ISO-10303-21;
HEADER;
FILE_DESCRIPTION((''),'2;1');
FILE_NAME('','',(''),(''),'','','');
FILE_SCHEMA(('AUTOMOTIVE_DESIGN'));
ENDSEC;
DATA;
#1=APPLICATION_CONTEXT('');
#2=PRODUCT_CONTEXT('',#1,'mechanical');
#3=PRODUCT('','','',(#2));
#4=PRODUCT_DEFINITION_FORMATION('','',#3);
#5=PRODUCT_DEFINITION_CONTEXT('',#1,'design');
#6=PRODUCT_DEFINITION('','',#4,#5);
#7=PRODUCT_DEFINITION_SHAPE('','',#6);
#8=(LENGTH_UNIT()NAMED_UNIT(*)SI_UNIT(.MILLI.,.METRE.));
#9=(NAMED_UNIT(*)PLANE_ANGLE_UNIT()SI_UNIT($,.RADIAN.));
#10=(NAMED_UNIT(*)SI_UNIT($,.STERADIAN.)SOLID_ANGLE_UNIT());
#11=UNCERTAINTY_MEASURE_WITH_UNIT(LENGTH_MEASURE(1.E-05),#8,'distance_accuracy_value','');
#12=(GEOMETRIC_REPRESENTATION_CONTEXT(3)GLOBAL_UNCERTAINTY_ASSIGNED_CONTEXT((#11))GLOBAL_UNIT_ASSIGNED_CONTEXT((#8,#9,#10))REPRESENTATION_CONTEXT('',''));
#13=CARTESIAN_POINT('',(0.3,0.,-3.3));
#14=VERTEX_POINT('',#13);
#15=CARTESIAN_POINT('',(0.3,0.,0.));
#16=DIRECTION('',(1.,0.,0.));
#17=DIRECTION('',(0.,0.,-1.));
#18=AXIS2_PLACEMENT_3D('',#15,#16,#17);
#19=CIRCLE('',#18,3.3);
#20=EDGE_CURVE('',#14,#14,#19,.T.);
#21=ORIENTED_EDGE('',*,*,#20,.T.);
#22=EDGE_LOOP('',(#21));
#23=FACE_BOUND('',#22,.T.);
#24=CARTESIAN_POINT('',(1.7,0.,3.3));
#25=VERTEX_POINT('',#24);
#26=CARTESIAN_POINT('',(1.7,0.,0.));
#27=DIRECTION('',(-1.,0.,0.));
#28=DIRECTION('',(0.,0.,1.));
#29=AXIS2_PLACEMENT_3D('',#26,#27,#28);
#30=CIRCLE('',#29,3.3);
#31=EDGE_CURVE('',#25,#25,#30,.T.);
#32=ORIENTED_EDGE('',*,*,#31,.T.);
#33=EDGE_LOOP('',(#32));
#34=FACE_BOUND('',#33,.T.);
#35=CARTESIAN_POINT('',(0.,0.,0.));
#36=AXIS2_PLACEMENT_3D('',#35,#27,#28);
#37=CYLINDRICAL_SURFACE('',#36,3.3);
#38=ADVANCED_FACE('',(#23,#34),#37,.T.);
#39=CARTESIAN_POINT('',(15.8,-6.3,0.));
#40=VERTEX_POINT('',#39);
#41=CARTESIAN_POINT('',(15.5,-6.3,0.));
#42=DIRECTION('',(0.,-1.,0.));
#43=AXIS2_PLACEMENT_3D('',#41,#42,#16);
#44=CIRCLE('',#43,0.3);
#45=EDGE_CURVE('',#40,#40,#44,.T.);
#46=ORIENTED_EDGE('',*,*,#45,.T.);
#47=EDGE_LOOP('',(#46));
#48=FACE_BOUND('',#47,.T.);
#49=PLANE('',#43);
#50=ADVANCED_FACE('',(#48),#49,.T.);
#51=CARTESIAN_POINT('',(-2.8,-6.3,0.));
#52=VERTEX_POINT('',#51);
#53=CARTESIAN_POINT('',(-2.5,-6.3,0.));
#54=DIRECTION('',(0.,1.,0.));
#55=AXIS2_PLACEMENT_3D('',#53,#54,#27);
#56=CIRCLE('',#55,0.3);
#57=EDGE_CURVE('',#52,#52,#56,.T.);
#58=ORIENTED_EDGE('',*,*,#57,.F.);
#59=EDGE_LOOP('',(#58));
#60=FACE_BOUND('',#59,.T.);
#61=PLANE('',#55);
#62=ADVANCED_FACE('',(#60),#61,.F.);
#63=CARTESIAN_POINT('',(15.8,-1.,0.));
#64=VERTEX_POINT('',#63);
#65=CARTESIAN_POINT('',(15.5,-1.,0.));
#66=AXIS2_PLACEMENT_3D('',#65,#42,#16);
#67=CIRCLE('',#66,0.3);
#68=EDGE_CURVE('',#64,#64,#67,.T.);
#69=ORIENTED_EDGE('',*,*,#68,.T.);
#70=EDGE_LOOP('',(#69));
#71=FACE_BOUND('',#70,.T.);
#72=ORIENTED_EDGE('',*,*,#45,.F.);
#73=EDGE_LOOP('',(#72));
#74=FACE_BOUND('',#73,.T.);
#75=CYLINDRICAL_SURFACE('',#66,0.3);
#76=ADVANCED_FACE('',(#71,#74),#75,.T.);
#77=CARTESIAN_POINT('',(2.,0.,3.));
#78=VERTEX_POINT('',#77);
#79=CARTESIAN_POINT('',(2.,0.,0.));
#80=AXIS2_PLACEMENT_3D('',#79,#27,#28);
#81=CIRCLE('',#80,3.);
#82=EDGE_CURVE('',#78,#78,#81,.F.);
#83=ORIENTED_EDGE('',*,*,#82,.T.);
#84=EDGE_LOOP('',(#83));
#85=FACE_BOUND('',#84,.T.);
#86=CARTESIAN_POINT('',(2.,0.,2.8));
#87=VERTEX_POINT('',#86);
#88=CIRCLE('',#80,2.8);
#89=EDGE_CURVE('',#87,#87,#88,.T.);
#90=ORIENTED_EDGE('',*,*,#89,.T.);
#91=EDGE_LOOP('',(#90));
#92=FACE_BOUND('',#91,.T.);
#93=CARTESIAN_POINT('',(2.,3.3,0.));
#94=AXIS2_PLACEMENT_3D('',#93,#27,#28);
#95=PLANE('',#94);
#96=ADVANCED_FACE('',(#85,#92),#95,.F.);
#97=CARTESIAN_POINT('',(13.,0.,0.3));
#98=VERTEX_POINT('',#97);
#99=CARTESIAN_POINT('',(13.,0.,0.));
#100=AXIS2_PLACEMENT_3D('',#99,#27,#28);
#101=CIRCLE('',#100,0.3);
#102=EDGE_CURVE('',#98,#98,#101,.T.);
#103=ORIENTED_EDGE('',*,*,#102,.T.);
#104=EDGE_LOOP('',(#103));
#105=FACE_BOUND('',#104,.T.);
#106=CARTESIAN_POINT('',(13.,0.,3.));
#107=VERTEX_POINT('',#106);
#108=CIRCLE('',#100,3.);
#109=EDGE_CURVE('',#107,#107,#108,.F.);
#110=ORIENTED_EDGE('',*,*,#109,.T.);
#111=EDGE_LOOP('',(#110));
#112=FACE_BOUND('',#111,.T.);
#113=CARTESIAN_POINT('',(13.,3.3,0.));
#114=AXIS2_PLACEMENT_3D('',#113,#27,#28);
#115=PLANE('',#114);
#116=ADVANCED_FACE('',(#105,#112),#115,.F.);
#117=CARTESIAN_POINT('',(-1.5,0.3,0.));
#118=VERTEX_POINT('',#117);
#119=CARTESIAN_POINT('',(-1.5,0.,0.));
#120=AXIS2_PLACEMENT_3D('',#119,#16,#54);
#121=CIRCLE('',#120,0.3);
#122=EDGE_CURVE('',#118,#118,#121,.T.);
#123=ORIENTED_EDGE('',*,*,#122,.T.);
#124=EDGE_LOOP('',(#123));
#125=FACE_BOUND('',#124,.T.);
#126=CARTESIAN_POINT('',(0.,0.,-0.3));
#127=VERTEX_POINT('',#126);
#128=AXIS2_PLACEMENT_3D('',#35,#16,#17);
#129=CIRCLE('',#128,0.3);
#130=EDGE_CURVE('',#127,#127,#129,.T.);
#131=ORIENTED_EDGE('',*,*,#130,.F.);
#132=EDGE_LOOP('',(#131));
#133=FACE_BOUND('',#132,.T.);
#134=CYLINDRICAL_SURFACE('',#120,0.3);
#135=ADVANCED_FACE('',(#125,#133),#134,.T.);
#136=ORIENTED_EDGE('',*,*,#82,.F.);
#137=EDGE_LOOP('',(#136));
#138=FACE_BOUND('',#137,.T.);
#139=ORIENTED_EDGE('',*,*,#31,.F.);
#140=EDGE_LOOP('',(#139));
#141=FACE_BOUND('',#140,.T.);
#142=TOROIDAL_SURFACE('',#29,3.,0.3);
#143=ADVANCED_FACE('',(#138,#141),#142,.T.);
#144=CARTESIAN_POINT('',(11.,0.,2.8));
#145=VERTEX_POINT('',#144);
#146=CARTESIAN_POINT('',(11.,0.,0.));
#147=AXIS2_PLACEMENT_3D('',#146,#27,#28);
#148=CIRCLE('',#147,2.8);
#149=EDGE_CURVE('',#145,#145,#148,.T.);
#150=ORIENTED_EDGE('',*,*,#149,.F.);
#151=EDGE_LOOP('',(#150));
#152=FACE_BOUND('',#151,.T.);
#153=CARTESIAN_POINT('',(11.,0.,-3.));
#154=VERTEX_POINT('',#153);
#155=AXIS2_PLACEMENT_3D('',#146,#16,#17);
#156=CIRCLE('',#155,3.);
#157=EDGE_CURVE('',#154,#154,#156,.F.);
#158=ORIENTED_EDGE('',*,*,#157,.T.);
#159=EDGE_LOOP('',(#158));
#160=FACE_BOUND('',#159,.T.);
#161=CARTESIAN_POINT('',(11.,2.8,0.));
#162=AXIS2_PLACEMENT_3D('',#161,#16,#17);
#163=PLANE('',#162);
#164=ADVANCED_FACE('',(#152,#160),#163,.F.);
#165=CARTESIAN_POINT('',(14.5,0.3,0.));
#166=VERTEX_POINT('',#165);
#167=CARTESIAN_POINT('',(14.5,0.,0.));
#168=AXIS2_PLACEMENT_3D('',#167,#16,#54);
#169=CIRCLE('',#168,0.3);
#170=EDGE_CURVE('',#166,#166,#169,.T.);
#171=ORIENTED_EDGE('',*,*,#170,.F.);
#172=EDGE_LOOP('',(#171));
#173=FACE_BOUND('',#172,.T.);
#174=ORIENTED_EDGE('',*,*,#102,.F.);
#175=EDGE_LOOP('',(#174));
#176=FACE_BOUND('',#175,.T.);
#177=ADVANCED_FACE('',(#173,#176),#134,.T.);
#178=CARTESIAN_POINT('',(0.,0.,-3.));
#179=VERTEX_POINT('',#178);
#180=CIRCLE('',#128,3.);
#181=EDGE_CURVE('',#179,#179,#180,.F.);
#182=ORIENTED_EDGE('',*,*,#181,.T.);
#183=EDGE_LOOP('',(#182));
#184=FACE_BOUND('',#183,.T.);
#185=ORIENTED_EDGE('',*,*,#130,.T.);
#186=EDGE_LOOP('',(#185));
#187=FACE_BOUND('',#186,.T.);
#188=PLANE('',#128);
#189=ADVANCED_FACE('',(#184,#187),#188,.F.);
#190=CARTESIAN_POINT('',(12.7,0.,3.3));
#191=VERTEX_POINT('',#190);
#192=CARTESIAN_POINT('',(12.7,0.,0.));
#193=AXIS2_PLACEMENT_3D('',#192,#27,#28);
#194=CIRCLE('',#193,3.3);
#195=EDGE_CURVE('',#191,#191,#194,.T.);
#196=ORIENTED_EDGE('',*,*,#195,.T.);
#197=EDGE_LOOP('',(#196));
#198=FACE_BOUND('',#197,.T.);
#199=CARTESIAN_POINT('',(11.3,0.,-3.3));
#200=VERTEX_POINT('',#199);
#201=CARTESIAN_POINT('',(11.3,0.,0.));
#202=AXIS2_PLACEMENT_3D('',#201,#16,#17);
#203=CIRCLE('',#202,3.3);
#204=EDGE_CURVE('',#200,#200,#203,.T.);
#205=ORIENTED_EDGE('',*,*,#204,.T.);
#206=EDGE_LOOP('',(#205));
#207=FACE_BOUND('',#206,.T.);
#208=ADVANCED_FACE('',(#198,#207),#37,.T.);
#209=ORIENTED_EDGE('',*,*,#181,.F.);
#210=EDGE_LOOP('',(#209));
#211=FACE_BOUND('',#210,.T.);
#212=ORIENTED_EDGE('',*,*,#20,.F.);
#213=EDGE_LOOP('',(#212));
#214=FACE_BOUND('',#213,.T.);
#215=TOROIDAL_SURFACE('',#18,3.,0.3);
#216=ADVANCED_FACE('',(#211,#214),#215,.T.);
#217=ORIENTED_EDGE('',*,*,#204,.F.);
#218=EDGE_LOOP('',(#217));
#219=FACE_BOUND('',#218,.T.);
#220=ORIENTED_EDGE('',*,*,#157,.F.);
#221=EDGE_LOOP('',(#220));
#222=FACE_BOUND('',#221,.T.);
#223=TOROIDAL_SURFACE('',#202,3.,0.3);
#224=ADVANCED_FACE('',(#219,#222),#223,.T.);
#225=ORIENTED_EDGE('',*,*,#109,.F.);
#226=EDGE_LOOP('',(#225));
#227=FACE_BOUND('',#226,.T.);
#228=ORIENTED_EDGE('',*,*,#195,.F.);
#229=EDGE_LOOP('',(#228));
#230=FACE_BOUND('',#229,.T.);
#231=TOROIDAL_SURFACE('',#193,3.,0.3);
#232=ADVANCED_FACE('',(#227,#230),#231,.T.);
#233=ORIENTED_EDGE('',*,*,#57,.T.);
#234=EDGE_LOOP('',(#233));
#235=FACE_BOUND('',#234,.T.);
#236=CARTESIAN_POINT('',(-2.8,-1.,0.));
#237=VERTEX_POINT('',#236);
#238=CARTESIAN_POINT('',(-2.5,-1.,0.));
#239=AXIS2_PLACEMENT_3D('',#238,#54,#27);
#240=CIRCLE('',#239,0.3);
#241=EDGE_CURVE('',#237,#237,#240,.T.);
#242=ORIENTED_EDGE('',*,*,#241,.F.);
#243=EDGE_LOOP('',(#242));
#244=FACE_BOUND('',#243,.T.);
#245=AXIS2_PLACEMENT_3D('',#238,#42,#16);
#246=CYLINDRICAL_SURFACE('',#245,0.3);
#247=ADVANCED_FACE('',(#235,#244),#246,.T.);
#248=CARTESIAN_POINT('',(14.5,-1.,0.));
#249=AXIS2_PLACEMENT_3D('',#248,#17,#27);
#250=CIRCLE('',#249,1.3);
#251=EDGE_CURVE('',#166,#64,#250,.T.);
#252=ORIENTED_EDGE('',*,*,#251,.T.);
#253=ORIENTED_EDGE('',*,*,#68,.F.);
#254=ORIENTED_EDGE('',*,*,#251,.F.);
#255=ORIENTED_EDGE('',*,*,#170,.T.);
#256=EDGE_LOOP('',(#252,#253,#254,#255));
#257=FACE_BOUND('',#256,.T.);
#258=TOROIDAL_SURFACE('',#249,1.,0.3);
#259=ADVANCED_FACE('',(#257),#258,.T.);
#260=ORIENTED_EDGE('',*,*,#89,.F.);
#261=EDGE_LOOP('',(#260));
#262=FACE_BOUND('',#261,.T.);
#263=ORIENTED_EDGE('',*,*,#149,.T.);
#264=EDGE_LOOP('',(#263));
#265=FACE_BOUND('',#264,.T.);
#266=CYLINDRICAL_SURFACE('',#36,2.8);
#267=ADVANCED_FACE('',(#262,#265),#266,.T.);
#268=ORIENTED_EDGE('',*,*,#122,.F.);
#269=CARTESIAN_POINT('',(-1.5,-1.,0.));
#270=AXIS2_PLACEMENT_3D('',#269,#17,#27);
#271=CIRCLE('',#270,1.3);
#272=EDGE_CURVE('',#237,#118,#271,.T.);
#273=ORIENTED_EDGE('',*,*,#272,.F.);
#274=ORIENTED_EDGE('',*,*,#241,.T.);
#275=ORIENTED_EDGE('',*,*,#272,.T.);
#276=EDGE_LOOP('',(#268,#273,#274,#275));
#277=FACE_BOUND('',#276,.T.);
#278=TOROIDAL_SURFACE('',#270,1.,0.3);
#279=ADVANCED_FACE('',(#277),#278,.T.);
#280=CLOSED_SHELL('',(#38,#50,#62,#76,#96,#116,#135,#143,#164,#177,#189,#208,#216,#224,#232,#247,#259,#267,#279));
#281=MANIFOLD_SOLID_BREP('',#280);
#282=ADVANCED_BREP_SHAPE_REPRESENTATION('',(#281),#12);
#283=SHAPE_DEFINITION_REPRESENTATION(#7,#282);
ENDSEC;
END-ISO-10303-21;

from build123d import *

# Parameters (mm, degrees)
SKETCH_3_R = 0.3
FILLET_1_R = 0.3


with BuildPart() as part:
    # Эскиз1 → Повернуть1 (revolve)
    with BuildSketch(Plane.XY, mode=Mode.PRIVATE) as revolve_1_sk:
        Polygon((0, 0), (0, 3.3), (2, 3.3), (2, 2.8), (11, 2.8), (11, 3.3), (13, 3.3), (13, 0), align=None)
    revolve(revolve_1_sk.sketch.rotate(Axis((0, 0, 0), (1, 0, 0)), 90), axis=Axis((0, 0, 0), (1, 0, 0)))

    # По траектории1: sweep along a path in Эскиз2
    with BuildLine(Plane.XY) as sweep_1_path:
        Line((-2.5, -6.3), (-2.5, -1))
        ThreePointArc((-2.5, -1), (-2.207106781, -0.292893219), (-1.5, 0))
        Line((-1.5, 0), (14.5, 0))
        ThreePointArc((14.5, 0), (15.207106781, -0.292893219), (15.5, -1))
        Line((15.5, -1), (15.5, -6.3))
    # Эскиз3 → По траектории1 (sweep)
    with BuildSketch(Plane(origin=(-2.5, -6.3, 0), x_dir=(-1, 0, 0), z_dir=(0, 1, 0))):
        Circle(SKETCH_3_R)
    sweep(path=sweep_1_path.line)

    # Скругление1
    fillet_1_edges = [part.edges().sort_by_distance(p)[0] for p in [
        (13, 0, -3.3),
        (11, 0, -3.3),
        (2, 0, -3.3),
        (0, 0, -3.3),
    ]]
    fillet(fillet_1_edges, radius=FILLET_1_R)


solid = part.part
